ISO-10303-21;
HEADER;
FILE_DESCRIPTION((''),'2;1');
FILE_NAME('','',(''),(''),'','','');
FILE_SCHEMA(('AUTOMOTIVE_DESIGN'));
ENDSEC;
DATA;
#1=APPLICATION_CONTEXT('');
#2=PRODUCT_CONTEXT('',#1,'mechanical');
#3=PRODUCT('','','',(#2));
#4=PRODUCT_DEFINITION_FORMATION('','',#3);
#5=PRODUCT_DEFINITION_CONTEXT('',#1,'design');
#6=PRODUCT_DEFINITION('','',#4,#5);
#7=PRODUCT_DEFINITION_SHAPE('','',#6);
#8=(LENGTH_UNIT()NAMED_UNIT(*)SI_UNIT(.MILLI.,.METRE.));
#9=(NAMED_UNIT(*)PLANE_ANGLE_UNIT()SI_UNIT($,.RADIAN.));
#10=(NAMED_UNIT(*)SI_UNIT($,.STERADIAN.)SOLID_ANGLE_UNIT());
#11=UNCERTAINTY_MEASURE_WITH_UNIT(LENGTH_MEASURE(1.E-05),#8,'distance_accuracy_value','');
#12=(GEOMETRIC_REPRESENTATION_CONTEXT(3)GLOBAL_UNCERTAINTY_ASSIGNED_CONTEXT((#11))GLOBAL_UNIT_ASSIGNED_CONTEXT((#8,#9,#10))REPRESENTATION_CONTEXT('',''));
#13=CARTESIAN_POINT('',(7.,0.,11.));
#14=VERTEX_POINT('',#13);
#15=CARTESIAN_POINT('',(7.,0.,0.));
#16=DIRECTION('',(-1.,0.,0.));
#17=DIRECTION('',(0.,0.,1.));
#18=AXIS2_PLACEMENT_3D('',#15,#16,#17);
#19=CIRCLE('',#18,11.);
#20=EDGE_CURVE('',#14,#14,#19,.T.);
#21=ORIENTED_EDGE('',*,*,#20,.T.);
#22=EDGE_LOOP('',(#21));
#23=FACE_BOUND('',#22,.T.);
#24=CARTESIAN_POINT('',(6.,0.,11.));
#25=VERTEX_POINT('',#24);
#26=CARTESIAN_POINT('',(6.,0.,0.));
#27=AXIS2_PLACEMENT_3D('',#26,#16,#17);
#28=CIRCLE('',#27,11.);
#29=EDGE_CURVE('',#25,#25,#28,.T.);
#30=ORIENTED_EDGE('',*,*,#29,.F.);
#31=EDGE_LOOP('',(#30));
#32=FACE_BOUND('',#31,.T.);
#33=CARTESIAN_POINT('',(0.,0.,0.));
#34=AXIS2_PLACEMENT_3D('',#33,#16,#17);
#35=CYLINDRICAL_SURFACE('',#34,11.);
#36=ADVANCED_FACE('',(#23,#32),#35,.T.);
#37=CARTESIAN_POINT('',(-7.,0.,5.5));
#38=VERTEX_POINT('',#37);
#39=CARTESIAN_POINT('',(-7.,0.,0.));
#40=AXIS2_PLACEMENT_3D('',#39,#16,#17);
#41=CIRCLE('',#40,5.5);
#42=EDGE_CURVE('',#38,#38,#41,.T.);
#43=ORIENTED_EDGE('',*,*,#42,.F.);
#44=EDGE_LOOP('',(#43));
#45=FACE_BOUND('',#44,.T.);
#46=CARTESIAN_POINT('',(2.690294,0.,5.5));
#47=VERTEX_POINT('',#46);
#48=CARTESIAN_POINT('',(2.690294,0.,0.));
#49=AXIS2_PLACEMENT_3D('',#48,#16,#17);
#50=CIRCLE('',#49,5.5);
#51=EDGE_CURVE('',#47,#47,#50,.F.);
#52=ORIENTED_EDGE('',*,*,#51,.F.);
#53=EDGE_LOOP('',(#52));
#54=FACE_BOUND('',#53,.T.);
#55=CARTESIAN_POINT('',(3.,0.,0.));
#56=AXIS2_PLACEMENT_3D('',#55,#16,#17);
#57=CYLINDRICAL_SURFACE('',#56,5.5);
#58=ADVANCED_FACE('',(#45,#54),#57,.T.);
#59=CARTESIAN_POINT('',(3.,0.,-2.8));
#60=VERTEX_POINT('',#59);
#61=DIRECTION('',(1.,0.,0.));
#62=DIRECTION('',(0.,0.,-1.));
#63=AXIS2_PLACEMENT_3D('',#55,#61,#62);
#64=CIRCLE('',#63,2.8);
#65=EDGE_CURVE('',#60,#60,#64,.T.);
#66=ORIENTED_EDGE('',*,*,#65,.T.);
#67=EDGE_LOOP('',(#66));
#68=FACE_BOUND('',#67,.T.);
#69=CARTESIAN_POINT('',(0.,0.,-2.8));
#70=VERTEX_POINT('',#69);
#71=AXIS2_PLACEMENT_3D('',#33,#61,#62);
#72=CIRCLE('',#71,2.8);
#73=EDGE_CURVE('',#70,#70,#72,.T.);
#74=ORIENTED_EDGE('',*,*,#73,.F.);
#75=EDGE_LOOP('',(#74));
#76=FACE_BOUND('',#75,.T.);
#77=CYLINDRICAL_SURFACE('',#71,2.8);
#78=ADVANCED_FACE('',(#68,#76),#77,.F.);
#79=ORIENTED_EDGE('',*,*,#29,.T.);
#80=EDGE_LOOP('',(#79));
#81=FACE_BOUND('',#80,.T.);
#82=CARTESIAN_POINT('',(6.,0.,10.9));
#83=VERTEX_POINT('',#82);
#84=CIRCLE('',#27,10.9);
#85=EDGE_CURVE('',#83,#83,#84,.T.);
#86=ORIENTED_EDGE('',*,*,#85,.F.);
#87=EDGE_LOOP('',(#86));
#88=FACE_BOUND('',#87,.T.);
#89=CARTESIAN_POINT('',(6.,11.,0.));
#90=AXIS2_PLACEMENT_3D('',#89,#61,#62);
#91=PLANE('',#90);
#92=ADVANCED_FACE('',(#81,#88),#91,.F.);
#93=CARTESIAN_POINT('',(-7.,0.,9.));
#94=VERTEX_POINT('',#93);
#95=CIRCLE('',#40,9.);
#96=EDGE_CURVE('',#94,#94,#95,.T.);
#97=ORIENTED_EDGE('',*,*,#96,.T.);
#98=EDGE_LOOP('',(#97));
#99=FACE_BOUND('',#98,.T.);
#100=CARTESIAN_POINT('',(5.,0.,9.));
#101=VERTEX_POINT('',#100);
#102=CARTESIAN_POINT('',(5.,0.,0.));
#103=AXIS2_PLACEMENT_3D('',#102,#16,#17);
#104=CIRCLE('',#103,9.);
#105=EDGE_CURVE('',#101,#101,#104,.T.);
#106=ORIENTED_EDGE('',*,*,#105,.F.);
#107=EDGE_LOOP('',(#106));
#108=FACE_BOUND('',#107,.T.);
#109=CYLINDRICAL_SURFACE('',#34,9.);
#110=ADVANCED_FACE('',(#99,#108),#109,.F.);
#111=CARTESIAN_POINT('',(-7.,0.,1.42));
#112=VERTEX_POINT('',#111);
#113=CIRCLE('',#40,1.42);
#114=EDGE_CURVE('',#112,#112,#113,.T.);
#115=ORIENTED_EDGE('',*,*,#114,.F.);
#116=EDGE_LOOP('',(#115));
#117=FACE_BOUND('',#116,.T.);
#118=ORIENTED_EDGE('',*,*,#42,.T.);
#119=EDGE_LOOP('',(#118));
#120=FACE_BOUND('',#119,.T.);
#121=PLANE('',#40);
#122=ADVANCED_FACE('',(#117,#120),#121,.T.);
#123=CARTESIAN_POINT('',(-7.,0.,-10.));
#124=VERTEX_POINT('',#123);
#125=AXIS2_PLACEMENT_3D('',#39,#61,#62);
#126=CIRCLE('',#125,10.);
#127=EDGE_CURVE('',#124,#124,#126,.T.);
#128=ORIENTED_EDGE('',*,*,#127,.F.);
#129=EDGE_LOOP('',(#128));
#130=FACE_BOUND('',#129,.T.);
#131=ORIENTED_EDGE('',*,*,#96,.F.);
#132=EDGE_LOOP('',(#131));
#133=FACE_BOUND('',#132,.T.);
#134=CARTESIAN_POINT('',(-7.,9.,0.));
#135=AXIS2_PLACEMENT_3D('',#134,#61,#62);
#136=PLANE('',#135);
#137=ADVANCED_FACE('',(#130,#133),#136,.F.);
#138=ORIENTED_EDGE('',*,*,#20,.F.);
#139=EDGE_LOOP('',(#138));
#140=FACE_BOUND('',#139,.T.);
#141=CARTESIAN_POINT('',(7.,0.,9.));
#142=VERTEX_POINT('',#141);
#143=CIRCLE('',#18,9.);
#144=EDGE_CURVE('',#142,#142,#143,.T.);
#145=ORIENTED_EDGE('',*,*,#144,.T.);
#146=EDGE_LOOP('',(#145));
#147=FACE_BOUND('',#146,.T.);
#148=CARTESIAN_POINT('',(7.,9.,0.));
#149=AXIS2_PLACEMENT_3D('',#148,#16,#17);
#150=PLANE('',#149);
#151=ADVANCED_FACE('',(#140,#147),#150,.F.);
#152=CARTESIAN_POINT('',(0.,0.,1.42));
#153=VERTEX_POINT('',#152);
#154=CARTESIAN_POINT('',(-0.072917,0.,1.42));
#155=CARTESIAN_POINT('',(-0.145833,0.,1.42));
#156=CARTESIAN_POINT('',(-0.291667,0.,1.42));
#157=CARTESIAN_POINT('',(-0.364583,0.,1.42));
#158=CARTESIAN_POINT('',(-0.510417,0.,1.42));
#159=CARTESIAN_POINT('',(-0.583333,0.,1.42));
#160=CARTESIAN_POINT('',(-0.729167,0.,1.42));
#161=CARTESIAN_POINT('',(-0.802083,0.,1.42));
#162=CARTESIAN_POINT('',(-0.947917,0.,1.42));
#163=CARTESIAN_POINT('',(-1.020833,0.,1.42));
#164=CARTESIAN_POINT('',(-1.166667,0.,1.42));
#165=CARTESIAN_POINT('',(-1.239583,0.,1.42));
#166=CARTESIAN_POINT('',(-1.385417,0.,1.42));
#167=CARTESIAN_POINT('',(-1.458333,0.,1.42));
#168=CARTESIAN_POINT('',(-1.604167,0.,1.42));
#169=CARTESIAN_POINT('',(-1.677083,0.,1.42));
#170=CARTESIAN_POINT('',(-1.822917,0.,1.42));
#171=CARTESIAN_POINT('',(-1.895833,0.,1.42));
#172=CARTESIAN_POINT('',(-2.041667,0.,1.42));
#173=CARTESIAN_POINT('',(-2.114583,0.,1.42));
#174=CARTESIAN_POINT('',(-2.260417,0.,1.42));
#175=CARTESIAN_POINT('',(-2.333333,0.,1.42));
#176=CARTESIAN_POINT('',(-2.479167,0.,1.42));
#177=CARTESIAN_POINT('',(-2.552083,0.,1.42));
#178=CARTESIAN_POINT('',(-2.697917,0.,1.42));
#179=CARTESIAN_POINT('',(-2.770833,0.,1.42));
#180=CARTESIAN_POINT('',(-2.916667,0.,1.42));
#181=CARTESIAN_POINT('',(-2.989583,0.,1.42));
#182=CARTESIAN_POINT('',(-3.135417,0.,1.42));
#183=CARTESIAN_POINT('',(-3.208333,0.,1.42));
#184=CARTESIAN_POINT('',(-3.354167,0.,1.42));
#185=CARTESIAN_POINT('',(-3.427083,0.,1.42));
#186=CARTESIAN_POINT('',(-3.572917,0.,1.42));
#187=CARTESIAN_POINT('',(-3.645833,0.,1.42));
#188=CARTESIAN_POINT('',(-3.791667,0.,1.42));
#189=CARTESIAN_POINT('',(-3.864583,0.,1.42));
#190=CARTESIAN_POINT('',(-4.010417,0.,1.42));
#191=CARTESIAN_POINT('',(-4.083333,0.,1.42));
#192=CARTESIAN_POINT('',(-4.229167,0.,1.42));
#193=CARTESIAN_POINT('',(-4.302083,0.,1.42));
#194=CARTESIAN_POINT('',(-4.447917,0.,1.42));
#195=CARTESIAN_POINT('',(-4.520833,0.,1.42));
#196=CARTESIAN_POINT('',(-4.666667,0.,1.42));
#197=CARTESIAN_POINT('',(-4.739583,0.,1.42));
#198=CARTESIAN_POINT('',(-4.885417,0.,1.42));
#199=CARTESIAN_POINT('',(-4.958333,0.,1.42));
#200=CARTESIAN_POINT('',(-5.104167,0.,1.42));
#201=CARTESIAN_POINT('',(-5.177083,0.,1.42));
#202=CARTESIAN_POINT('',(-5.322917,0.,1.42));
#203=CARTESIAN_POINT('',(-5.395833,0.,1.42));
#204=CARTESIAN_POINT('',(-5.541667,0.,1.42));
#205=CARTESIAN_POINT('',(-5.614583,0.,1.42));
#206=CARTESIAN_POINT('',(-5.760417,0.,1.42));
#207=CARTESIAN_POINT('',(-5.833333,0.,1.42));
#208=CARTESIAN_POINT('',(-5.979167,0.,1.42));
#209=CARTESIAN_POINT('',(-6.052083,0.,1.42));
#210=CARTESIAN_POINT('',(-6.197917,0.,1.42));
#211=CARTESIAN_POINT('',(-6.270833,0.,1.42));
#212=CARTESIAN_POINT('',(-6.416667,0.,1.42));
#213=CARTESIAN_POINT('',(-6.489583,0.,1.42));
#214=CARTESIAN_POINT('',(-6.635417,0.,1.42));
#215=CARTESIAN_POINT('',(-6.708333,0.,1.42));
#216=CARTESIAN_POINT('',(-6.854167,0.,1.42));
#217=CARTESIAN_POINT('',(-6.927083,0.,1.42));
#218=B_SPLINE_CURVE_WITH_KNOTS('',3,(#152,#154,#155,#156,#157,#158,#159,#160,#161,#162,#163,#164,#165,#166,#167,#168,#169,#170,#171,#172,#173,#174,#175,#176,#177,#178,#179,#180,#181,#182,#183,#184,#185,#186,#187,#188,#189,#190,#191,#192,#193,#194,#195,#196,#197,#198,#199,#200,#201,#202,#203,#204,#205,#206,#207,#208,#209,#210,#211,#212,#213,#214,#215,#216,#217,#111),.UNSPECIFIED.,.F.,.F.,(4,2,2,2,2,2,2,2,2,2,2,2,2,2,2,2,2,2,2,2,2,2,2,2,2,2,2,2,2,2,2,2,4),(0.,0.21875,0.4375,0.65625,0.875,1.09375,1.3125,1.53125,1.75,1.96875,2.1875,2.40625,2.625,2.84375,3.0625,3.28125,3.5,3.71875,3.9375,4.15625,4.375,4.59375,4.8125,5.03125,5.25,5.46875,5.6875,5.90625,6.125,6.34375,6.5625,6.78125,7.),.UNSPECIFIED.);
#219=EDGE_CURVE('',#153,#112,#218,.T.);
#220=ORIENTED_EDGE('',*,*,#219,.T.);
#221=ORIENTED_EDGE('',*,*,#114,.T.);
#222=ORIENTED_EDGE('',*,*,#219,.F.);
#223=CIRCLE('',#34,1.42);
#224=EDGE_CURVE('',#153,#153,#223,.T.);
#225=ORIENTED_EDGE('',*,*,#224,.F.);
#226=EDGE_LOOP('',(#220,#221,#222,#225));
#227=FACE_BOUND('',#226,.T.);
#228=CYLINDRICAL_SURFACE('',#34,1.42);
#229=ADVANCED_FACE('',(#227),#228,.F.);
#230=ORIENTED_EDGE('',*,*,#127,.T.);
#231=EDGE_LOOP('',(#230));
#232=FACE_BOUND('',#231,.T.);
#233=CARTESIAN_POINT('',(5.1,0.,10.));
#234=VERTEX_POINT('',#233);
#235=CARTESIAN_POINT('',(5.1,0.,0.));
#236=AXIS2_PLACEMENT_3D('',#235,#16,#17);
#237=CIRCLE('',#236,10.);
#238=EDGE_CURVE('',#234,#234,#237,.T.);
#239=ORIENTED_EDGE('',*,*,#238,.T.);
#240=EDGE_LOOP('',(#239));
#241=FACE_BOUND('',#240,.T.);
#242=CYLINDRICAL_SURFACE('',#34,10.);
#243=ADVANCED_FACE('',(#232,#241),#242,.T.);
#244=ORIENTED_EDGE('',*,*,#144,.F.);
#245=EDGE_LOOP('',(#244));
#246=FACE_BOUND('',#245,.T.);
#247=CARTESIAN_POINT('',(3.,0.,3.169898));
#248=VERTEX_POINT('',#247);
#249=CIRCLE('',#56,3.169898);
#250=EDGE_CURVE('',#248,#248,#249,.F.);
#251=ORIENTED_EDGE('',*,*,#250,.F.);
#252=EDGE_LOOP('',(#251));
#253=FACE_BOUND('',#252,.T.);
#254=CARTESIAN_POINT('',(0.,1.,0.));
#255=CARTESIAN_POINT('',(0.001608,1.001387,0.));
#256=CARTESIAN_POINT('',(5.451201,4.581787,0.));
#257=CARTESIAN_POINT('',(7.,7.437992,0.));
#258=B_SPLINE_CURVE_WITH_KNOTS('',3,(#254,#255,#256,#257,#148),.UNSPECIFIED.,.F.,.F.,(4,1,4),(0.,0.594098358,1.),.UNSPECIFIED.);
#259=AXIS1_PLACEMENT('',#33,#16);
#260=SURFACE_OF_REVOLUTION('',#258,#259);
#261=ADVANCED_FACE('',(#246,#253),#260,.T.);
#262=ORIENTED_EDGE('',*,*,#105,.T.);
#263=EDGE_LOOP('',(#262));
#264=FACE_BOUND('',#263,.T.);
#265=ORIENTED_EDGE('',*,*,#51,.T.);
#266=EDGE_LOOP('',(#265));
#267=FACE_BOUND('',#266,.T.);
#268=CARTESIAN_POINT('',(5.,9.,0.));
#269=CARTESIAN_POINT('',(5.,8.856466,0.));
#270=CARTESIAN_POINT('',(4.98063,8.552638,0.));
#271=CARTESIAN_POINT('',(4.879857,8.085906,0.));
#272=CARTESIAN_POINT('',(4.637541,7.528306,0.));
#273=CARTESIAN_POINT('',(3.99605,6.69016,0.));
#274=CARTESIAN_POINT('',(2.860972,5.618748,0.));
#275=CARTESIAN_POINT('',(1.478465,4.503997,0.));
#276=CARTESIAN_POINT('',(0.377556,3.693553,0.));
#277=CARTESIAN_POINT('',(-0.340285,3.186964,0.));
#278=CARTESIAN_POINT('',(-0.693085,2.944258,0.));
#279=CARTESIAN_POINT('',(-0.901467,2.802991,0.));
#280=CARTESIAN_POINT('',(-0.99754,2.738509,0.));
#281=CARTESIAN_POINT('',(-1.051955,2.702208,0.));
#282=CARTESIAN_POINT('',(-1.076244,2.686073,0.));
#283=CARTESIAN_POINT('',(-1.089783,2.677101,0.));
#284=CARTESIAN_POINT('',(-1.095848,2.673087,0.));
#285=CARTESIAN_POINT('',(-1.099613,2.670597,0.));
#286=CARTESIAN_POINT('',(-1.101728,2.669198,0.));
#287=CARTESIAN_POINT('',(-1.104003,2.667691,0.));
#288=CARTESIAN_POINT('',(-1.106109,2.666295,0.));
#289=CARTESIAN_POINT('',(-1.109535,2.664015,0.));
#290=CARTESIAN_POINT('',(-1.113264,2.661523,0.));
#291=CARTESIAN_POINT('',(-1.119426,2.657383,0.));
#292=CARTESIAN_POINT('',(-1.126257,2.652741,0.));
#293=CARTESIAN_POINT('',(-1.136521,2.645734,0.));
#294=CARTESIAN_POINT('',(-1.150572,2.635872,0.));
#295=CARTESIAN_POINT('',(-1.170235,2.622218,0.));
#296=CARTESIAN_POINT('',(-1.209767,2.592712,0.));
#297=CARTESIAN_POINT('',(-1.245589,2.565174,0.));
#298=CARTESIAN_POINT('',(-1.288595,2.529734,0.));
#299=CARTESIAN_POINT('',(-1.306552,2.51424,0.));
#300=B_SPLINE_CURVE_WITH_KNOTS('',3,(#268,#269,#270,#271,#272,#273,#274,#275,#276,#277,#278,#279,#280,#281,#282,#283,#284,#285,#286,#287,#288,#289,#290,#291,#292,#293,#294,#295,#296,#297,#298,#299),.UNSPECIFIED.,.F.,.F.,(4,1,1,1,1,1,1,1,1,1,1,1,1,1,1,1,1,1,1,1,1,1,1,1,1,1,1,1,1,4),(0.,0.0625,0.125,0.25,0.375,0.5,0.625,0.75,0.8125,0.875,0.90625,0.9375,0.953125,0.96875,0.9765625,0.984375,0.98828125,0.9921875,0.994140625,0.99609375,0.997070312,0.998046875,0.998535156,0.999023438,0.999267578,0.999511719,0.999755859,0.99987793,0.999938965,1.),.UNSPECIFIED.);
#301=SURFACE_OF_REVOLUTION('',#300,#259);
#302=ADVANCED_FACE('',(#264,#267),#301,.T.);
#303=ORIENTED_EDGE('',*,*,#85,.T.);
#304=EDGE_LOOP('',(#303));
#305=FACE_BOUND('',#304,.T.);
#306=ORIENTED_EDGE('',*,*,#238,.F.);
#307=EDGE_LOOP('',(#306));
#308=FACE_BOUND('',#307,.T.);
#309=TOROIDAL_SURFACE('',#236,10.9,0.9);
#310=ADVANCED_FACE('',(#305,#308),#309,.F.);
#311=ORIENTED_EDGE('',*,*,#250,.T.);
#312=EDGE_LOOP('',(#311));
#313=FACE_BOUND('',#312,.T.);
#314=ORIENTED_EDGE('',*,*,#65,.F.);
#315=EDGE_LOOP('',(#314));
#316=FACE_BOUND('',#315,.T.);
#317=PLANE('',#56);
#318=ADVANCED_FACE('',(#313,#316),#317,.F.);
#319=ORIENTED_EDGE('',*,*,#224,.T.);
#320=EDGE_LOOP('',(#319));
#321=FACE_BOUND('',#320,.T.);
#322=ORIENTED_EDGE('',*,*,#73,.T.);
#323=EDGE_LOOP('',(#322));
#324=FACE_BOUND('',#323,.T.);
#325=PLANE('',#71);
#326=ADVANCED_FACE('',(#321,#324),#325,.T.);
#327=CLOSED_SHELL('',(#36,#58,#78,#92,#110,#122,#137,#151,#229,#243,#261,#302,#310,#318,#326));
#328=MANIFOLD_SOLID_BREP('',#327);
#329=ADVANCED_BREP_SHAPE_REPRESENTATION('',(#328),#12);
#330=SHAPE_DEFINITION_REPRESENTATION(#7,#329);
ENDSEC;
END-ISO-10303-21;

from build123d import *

# Parameters (mm, degrees)
SKETCH2_R           = 5.5
SKETCH2_R_2         = 1
BOSS_EXTRUDE1_DEPTH = 10
SKETCH3_R           = 2.8
CUT_EXTRUDE1_DEPTH  = 3
SKETCH4_R           = 1.42
CUT_EXTRUDE2_DEPTH  = 7
SKETCH5_R           = 22.131734032
SKETCH5_R_2         = 10
CUT_EXTRUDE3_DEPTH  = 10


with BuildPart() as part:
    # Sketch1 → Revolve1 (revolve)
    with BuildSketch(Plane.XY, mode=Mode.PRIVATE) as revolve1_sk:
        with BuildLine():
            Line((-7, 9), (5, 9))
            add(Edge.make_bspline(
                [(5, 9), (5, 8.856466181), (4.980630385, 8.552638111), (4.879856885, 8.085906437), (4.637540593, 7.528306389), (3.996049584, 6.69016035), (2.86097235, 5.618747783), (1.478465211, 4.503997435), (0.514957064, 3.794701588), (0.068439653, 3.476275963), (0, 3.427716912)],
                knots=[0, 0, 0, 0, 0.0625, 0.125, 0.25, 0.375, 0.5, 0.625, 0.75, 0.773497894, 0.773497894, 0.773497894, 0.773497894], degree=3))
            Line((0, 3.427716912), (0, 1))
            add(Edge.make_bspline(
                [(7, 9), (7, 7.437991686), (5.451200792, 4.581787455), (0.00160793, 1.001387392), (0, 1)],
                knots=[0, 0, 0, 0, 0.405901642, 1, 1, 1, 1], degree=3))
            Line((7, 9), (7, 11))
            Line((7, 11), (6, 11))
            Line((6, 11), (6, 10.9))
            ThreePointArc((6, 10.9), (5.736396103, 10.263603897), (5.1, 10))
            Line((5.1, 10), (-5.1, 10))
            ThreePointArc((-5.1, 10), (-5.736396103, 10.263603897), (-6, 10.9))
            Line((-6, 10.9), (-6, 11))
            Line((-6, 11), (-7, 11))
            Line((-7, 11), (-7, 9))
        make_face()
    revolve(revolve1_sk.sketch.rotate(Axis((0, 0, 0), (1, 0, 0)), 90), axis=Axis((0, 0, 0), (1, 0, 0)))

    # Sketch2 → Boss-Extrude1 (add)
    with BuildSketch(Plane.ZY.offset(7)):
        Circle(SKETCH2_R)
        Circle(SKETCH2_R_2, mode=Mode.SUBTRACT)
    extrude(amount=-BOSS_EXTRUDE1_DEPTH)

    # Sketch3 → Cut-Extrude1 (cut)
    with BuildSketch(Plane(origin=(3, 0, 0), x_dir=(0, 0, -1), z_dir=(1, 0, 0))):
        Circle(SKETCH3_R)
    extrude(amount=-CUT_EXTRUDE1_DEPTH, mode=Mode.SUBTRACT)

    # Sketch4 → Cut-Extrude2 (cut)
    with BuildSketch(Plane.ZY.offset(7)):
        Circle(SKETCH4_R)
    extrude(amount=-CUT_EXTRUDE2_DEPTH, mode=Mode.SUBTRACT)

    # Sketch5 → Cut-Extrude3 (cut)
    with BuildSketch(Plane(origin=(0, 0, 0), x_dir=(0, 0, -1), z_dir=(1, 0, 0))):
        Circle(SKETCH5_R)
        with Locations(Location((0, 0, 0), (0, 0, 180))):
            Circle(SKETCH5_R_2, mode=Mode.SUBTRACT)
    extrude(amount=-CUT_EXTRUDE3_DEPTH, mode=Mode.SUBTRACT)


solid = part.part
